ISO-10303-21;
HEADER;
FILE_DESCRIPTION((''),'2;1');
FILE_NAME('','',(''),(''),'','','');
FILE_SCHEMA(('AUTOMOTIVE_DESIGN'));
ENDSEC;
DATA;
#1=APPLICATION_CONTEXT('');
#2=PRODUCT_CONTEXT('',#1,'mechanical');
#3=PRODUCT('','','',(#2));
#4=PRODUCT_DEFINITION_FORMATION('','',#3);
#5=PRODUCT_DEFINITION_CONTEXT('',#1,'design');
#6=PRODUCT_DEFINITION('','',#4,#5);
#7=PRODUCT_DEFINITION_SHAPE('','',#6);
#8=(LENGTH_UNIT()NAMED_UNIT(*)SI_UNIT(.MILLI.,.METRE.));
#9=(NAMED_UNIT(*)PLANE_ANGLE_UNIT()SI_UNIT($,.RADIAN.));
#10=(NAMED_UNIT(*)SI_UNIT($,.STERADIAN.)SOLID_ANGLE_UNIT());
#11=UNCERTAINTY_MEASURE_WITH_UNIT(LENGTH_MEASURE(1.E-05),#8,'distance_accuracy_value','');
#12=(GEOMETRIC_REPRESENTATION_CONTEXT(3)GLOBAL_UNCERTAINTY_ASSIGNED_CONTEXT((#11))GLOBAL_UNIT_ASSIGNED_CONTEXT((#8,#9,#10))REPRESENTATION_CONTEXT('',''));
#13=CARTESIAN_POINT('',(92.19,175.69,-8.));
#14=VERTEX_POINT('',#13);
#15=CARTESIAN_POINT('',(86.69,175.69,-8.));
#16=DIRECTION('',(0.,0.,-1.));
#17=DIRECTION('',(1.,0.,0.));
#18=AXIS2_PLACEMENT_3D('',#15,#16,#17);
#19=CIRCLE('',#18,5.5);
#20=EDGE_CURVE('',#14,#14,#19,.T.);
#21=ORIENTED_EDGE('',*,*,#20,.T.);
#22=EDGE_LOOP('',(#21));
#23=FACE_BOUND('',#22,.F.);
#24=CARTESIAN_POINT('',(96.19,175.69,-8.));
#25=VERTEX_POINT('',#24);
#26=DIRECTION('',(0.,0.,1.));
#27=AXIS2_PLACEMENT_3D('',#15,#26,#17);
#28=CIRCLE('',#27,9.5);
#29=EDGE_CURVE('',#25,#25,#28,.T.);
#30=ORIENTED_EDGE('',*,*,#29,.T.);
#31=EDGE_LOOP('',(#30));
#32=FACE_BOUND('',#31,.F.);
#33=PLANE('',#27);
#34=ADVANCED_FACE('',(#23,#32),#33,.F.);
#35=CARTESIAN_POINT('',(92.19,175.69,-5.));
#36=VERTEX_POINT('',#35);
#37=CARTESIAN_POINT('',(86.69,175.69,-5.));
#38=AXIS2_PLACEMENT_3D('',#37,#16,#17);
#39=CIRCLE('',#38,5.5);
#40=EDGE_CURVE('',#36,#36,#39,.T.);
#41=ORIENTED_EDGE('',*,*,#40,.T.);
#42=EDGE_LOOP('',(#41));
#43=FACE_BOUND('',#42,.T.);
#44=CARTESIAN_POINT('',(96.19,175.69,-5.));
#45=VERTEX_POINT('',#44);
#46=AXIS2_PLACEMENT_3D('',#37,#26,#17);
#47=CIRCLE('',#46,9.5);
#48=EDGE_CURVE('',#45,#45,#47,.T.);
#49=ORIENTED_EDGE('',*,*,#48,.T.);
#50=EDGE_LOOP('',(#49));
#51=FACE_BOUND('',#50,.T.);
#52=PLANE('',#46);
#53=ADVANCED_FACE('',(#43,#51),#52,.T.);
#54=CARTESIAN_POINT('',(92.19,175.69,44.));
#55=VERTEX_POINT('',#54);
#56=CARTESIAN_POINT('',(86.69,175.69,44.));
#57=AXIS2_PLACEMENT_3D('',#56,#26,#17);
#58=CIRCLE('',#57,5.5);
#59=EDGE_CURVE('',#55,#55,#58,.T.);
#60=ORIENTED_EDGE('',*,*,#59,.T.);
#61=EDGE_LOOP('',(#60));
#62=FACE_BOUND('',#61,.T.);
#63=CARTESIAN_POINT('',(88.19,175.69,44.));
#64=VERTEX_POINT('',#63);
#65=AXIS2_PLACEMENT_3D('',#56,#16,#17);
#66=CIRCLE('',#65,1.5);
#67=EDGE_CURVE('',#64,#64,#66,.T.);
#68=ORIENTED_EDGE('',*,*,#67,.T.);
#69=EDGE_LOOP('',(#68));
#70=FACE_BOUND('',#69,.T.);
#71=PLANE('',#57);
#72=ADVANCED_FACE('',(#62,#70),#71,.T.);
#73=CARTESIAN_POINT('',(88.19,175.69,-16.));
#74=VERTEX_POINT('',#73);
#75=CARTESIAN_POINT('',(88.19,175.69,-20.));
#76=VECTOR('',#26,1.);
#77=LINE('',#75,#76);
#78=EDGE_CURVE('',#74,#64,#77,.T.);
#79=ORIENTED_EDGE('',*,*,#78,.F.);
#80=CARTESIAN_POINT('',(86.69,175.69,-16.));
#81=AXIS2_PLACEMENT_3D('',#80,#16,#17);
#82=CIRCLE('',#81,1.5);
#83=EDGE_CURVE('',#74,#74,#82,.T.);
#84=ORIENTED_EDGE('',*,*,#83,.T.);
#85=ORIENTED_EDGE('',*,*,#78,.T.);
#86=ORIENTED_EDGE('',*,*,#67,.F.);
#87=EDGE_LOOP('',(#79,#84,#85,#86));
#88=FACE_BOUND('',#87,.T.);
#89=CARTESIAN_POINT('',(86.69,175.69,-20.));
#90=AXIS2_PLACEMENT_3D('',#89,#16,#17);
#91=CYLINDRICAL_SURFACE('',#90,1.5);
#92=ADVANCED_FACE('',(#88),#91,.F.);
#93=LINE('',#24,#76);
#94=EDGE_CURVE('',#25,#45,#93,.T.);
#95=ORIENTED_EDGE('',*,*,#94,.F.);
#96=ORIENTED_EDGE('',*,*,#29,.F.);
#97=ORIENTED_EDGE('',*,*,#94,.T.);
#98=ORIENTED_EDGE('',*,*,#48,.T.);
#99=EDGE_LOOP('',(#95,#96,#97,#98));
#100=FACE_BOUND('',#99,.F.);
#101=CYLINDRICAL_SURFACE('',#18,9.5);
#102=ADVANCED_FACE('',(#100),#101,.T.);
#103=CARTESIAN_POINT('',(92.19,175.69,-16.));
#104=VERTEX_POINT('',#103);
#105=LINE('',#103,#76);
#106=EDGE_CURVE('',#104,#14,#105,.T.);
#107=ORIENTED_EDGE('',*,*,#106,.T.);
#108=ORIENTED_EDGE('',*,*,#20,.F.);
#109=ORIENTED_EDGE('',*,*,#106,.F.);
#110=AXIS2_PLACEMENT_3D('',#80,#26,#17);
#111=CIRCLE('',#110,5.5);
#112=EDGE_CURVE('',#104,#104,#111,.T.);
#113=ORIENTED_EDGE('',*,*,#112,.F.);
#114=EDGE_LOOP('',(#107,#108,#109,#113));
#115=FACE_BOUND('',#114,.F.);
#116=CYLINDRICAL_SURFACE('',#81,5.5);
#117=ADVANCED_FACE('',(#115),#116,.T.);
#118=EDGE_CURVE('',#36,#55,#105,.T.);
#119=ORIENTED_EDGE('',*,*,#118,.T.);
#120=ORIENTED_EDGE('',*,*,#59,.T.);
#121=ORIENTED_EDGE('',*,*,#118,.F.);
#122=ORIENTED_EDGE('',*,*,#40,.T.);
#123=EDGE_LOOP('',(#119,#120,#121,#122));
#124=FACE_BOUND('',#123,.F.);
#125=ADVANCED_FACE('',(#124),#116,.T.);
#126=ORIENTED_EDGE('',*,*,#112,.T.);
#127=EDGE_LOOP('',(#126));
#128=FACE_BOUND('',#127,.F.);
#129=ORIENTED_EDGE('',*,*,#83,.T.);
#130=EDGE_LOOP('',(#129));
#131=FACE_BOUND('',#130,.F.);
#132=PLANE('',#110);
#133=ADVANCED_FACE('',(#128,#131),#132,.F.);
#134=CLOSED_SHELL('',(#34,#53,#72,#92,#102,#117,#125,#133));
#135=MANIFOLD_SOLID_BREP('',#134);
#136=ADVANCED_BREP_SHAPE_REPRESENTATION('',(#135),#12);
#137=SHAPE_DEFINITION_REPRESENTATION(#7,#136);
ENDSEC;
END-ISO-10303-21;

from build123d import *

# Parameters (mm, degrees)
CYLINDER106_R     = 1.5
CYLINDER106_DEPTH = 108
CYLINDER105_R     = 5.5
CYLINDER105_DEPTH = 60
CYLINDER108_R     = 9.5
CYLINDER108_DEPTH = 3


with BuildPart() as rfcoolinghole:
    # Cylinder106 → Cylinder106 (new body)
    with BuildSketch(Plane(origin=(86.69, 175.69, -20), x_dir=(1, 0, 0), z_dir=(0, 0, 1))):
        Circle(CYLINDER106_R)
    extrude(amount=CYLINDER106_DEPTH)


with BuildPart() as rfftrod1:
    # Cylinder105 → Cylinder105 (new body)
    with BuildSketch(Plane(origin=(86.69, 175.69, -16), x_dir=(1, 0, 0), z_dir=(0, 0, 1))):
        Circle(CYLINDER105_R)
    extrude(amount=CYLINDER105_DEPTH)


with BuildPart() as rffeed1:
    # Cylinder108 → Cylinder108 (new body)
    with BuildSketch(Plane(origin=(86.69, 175.69, -8), x_dir=(1, 0, 0), z_dir=(0, 0, 1))):
        Circle(CYLINDER108_R)
    extrude(amount=CYLINDER108_DEPTH)

    # Fusion044: union RFFTrod1
    add(rfftrod1.part)

    # Cut012: cut RFcoolingHole
    add(rfcoolinghole.part, mode=Mode.SUBTRACT)


solid = rffeed1.part
